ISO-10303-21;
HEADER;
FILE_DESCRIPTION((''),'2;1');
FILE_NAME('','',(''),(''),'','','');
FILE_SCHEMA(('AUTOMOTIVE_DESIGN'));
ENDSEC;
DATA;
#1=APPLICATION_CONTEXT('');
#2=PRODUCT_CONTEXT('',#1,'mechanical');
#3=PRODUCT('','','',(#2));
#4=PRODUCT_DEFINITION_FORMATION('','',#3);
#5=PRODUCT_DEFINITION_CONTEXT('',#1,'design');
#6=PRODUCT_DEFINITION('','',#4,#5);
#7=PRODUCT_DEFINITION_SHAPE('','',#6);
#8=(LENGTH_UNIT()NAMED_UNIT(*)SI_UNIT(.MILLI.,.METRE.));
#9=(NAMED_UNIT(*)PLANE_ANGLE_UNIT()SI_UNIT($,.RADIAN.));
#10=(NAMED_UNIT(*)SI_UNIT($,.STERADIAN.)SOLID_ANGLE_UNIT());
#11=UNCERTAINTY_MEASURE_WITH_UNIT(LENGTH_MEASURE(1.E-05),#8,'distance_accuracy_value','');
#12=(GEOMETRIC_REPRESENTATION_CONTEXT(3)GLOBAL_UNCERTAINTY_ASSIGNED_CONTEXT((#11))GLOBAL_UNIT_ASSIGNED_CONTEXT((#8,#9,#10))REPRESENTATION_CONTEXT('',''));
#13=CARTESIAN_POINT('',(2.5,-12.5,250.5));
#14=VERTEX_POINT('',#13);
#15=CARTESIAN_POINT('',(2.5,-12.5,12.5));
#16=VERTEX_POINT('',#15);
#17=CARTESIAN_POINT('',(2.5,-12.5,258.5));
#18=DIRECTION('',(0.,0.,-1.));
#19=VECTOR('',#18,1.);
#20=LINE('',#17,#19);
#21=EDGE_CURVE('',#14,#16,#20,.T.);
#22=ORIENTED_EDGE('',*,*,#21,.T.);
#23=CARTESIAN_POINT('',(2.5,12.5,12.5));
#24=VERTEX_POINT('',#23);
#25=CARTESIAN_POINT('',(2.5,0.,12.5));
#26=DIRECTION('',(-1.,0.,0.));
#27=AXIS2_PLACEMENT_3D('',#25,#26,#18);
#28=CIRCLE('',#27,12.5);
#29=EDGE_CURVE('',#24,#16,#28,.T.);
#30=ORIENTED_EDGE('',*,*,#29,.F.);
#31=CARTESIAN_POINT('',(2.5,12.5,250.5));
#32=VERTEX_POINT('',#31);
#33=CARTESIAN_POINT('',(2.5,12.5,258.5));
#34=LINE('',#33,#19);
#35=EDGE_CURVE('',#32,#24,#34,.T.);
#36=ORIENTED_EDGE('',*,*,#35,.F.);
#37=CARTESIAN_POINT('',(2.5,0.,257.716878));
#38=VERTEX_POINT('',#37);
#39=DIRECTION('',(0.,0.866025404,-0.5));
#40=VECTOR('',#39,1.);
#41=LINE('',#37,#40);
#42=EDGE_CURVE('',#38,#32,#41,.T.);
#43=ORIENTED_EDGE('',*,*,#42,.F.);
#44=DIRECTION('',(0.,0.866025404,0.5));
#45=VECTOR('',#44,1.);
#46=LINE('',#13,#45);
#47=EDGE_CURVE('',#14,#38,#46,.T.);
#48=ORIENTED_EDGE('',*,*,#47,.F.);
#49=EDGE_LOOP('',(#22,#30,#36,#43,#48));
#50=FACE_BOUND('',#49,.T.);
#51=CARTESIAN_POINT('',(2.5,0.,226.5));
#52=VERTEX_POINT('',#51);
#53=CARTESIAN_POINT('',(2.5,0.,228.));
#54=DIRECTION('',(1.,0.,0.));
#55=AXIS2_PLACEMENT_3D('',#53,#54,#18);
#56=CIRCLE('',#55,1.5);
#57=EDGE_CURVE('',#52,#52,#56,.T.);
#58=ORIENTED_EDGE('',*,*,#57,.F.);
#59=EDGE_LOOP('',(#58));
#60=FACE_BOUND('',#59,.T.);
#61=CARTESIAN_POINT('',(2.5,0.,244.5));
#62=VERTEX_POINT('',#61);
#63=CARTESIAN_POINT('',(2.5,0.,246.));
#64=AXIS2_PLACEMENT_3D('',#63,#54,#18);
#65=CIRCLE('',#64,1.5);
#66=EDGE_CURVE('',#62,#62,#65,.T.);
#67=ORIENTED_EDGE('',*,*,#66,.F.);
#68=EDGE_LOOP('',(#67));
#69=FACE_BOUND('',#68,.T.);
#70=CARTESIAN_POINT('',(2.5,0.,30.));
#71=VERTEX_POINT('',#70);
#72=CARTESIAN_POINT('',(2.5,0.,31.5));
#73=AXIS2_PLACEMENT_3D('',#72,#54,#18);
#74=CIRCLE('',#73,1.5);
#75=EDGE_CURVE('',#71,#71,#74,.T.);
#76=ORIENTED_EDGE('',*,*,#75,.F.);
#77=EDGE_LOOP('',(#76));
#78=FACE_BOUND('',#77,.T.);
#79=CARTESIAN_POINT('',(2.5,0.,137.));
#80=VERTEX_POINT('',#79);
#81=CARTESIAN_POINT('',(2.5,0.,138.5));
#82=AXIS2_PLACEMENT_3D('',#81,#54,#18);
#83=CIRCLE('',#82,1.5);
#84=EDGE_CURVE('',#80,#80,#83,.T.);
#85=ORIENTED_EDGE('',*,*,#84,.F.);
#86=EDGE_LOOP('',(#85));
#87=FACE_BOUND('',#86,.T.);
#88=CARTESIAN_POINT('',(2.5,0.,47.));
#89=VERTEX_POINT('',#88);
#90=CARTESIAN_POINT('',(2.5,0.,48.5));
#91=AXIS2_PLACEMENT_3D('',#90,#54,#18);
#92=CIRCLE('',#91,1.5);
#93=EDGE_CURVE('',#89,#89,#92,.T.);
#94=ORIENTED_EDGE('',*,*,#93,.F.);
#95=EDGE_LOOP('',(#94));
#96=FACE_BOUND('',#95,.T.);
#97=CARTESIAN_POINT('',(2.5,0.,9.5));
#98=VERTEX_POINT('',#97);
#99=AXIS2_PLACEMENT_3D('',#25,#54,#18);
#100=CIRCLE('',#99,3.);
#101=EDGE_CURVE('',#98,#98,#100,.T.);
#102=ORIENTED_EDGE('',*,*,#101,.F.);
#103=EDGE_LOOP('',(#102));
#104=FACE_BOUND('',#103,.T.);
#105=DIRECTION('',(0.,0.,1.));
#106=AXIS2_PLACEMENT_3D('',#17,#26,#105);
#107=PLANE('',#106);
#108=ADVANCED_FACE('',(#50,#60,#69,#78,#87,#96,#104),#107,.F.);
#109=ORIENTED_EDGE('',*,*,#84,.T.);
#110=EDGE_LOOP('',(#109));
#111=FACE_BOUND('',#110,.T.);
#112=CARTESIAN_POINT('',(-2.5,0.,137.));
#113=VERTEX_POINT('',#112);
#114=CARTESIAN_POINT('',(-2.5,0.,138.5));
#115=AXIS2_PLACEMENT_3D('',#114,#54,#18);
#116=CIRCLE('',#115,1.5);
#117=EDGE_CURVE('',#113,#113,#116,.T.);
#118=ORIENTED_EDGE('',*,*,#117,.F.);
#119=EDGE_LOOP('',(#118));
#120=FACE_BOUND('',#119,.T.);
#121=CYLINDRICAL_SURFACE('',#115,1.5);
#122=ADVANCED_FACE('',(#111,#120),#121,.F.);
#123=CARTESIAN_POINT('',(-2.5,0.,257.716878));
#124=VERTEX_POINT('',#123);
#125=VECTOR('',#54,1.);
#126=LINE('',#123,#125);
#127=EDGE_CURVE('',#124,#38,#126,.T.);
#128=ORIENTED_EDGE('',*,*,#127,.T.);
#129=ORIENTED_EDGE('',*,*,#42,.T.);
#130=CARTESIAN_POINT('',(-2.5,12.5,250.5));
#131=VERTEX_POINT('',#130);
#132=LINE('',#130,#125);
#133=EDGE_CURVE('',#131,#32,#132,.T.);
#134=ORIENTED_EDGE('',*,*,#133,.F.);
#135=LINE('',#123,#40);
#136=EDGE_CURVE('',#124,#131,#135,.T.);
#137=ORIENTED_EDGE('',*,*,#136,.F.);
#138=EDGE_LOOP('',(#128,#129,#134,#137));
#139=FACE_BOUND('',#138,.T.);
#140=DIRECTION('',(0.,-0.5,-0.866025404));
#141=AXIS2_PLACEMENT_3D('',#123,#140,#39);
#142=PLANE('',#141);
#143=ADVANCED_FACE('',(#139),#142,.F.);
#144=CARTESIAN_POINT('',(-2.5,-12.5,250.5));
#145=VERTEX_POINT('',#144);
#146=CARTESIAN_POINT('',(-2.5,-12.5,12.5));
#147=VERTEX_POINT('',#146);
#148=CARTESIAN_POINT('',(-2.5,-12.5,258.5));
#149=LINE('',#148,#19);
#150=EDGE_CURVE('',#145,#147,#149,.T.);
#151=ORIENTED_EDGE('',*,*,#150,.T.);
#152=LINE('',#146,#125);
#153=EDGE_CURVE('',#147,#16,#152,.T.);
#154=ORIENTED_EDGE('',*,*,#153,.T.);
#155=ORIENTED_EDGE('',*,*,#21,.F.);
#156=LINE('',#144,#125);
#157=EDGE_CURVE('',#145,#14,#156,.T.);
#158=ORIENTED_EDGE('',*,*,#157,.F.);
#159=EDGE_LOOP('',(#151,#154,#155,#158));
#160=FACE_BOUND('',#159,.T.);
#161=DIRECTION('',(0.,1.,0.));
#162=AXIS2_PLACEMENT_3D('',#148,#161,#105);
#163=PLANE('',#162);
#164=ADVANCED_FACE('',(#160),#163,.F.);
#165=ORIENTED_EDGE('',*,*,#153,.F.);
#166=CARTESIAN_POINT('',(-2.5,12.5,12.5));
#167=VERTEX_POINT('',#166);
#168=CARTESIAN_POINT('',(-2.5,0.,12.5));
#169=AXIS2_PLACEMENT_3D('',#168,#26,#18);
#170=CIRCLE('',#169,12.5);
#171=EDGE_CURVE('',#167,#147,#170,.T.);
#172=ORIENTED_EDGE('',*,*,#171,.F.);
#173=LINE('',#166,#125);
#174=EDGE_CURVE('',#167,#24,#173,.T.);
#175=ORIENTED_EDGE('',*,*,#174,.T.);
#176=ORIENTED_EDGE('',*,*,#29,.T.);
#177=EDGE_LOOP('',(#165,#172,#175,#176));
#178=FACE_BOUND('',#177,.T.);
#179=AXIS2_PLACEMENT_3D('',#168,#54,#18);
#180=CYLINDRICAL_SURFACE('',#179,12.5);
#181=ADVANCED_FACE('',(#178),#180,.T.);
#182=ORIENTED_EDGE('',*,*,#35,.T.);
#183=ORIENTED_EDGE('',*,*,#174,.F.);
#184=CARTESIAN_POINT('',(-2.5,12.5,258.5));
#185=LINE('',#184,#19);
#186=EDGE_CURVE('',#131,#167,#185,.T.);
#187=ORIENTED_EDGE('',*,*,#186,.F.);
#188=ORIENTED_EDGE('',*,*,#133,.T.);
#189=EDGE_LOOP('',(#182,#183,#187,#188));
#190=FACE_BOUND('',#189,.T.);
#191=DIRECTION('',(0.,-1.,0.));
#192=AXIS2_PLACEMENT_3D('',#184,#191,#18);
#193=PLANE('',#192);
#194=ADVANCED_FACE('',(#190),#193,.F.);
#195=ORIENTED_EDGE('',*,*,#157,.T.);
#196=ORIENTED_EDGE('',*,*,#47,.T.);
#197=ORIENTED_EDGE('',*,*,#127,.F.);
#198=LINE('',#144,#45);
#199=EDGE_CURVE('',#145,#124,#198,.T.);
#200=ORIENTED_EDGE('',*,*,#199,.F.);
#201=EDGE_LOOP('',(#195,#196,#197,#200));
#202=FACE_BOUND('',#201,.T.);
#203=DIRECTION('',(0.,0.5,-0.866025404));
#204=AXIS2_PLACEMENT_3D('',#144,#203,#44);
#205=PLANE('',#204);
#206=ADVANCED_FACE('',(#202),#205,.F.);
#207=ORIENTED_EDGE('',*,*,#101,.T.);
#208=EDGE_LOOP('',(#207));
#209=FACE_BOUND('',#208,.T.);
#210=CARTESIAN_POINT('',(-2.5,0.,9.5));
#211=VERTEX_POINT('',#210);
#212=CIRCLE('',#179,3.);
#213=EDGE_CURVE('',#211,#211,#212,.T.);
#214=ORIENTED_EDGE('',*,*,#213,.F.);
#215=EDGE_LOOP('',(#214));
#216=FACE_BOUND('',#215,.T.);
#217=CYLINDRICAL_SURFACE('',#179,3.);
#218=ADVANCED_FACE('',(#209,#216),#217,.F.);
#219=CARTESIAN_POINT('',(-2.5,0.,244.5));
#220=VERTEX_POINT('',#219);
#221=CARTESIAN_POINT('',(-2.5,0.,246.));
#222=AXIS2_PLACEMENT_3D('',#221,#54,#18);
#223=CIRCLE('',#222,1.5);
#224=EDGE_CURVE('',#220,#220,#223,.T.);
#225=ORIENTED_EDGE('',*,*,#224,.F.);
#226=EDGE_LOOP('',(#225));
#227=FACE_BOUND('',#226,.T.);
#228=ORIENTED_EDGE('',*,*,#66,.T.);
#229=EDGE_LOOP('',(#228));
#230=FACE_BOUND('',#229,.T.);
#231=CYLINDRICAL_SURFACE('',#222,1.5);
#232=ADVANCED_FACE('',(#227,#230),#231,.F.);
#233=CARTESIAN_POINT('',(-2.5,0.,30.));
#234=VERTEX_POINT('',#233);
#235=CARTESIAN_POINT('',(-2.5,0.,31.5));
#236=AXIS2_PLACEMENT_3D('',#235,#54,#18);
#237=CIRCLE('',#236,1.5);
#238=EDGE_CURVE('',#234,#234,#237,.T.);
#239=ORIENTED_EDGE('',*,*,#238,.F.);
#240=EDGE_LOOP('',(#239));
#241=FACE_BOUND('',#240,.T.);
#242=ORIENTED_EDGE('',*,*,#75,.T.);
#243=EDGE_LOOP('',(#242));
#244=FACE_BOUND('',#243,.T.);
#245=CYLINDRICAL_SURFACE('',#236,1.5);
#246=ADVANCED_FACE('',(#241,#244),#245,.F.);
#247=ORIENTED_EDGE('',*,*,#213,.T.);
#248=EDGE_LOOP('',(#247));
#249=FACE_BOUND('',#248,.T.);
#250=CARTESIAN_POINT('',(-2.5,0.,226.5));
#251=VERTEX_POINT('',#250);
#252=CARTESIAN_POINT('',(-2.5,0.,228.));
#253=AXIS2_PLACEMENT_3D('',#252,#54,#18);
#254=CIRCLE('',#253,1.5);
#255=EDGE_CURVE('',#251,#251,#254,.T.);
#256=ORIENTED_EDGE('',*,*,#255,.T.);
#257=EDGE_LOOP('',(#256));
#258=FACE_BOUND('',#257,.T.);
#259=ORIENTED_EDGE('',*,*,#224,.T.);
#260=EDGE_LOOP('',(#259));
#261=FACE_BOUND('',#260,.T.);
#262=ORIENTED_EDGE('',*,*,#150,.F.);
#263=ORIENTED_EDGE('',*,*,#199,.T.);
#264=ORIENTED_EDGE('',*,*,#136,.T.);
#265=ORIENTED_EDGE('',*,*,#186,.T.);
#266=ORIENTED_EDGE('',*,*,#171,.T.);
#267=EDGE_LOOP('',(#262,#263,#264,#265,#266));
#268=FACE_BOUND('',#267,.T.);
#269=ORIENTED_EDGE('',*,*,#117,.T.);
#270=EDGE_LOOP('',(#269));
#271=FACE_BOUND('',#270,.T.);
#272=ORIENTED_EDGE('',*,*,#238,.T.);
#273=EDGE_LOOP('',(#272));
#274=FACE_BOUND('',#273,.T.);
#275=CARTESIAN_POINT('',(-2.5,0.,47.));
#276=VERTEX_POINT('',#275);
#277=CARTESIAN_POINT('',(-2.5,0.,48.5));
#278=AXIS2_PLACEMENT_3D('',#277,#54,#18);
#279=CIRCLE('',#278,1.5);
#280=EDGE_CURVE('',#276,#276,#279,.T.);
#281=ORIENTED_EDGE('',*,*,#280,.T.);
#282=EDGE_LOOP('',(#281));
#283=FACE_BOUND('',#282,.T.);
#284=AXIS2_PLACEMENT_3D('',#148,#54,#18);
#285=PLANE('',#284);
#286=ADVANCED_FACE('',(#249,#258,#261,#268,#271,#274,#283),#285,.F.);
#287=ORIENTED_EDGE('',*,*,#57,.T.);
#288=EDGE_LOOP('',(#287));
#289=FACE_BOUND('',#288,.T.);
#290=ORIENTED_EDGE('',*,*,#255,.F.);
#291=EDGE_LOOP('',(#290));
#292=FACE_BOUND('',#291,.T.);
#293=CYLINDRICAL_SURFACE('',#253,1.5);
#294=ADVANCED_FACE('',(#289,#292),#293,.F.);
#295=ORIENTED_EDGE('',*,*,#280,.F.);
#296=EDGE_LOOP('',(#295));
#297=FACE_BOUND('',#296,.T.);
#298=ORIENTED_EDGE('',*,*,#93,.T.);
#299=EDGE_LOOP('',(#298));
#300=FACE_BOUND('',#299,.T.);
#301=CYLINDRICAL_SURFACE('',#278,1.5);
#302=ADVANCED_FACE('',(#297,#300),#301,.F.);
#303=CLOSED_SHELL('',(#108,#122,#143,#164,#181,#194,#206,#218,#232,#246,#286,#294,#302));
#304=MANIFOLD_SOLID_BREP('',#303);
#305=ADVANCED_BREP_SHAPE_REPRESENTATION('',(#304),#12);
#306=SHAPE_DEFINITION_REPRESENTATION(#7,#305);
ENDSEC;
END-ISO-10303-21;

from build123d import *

# Parameters (mm, degrees)
SKETCH1_W           = 5
SKETCH1_H           = 25
BOSS_EXTRUDE1_DEPTH = 258.5
SKETCH2_R           = 3
SKETCH2_R_2         = 1.5
CUT_EXTRUDE1_DEPTH  = 259.850342862


with BuildPart() as part:
    # Sketch1 → Boss-Extrude1 (new body)
    with BuildSketch(Plane.XY):
        Rectangle(SKETCH1_W, SKETCH1_H)
    extrude(amount=BOSS_EXTRUDE1_DEPTH)

    # Sketch2 → Cut-Extrude1 (cut, through all)
    with BuildSketch(Plane(origin=(2.5, 0, 0), x_dir=(0, 0, -1), z_dir=(1, 0, 0))):
        with Locations((-12.5, 0)):
            Circle(SKETCH2_R)
        with Locations((-246, 0)):
            Circle(SKETCH2_R_2)
        with Locations((-228, 0)):
            Circle(SKETCH2_R_2)
        with Locations((-48.5, 0)):
            Circle(SKETCH2_R_2)
        with Locations((-31.5, 0)):
            Circle(SKETCH2_R_2)
        with Locations((-138.5, 0)):
            Circle(SKETCH2_R_2)
        with BuildLine():
            Line((-12.5, 12.5), (5.5, 12.5))
            Line((5.5, 12.5), (5.5, -12.5))
            Line((5.5, -12.5), (-12.5, -12.5))
            ThreePointArc((-12.5, -12.5), (0, 0), (-12.5, 12.5))
        make_face()
        Polygon((-257.716878365, 0), (-250.5, 12.5), (-258.5, 12.5), (-258.5, -12.5), (-250.5, -12.5), align=None)
    extrude(amount=-CUT_EXTRUDE1_DEPTH, mode=Mode.SUBTRACT)


solid = part.part
